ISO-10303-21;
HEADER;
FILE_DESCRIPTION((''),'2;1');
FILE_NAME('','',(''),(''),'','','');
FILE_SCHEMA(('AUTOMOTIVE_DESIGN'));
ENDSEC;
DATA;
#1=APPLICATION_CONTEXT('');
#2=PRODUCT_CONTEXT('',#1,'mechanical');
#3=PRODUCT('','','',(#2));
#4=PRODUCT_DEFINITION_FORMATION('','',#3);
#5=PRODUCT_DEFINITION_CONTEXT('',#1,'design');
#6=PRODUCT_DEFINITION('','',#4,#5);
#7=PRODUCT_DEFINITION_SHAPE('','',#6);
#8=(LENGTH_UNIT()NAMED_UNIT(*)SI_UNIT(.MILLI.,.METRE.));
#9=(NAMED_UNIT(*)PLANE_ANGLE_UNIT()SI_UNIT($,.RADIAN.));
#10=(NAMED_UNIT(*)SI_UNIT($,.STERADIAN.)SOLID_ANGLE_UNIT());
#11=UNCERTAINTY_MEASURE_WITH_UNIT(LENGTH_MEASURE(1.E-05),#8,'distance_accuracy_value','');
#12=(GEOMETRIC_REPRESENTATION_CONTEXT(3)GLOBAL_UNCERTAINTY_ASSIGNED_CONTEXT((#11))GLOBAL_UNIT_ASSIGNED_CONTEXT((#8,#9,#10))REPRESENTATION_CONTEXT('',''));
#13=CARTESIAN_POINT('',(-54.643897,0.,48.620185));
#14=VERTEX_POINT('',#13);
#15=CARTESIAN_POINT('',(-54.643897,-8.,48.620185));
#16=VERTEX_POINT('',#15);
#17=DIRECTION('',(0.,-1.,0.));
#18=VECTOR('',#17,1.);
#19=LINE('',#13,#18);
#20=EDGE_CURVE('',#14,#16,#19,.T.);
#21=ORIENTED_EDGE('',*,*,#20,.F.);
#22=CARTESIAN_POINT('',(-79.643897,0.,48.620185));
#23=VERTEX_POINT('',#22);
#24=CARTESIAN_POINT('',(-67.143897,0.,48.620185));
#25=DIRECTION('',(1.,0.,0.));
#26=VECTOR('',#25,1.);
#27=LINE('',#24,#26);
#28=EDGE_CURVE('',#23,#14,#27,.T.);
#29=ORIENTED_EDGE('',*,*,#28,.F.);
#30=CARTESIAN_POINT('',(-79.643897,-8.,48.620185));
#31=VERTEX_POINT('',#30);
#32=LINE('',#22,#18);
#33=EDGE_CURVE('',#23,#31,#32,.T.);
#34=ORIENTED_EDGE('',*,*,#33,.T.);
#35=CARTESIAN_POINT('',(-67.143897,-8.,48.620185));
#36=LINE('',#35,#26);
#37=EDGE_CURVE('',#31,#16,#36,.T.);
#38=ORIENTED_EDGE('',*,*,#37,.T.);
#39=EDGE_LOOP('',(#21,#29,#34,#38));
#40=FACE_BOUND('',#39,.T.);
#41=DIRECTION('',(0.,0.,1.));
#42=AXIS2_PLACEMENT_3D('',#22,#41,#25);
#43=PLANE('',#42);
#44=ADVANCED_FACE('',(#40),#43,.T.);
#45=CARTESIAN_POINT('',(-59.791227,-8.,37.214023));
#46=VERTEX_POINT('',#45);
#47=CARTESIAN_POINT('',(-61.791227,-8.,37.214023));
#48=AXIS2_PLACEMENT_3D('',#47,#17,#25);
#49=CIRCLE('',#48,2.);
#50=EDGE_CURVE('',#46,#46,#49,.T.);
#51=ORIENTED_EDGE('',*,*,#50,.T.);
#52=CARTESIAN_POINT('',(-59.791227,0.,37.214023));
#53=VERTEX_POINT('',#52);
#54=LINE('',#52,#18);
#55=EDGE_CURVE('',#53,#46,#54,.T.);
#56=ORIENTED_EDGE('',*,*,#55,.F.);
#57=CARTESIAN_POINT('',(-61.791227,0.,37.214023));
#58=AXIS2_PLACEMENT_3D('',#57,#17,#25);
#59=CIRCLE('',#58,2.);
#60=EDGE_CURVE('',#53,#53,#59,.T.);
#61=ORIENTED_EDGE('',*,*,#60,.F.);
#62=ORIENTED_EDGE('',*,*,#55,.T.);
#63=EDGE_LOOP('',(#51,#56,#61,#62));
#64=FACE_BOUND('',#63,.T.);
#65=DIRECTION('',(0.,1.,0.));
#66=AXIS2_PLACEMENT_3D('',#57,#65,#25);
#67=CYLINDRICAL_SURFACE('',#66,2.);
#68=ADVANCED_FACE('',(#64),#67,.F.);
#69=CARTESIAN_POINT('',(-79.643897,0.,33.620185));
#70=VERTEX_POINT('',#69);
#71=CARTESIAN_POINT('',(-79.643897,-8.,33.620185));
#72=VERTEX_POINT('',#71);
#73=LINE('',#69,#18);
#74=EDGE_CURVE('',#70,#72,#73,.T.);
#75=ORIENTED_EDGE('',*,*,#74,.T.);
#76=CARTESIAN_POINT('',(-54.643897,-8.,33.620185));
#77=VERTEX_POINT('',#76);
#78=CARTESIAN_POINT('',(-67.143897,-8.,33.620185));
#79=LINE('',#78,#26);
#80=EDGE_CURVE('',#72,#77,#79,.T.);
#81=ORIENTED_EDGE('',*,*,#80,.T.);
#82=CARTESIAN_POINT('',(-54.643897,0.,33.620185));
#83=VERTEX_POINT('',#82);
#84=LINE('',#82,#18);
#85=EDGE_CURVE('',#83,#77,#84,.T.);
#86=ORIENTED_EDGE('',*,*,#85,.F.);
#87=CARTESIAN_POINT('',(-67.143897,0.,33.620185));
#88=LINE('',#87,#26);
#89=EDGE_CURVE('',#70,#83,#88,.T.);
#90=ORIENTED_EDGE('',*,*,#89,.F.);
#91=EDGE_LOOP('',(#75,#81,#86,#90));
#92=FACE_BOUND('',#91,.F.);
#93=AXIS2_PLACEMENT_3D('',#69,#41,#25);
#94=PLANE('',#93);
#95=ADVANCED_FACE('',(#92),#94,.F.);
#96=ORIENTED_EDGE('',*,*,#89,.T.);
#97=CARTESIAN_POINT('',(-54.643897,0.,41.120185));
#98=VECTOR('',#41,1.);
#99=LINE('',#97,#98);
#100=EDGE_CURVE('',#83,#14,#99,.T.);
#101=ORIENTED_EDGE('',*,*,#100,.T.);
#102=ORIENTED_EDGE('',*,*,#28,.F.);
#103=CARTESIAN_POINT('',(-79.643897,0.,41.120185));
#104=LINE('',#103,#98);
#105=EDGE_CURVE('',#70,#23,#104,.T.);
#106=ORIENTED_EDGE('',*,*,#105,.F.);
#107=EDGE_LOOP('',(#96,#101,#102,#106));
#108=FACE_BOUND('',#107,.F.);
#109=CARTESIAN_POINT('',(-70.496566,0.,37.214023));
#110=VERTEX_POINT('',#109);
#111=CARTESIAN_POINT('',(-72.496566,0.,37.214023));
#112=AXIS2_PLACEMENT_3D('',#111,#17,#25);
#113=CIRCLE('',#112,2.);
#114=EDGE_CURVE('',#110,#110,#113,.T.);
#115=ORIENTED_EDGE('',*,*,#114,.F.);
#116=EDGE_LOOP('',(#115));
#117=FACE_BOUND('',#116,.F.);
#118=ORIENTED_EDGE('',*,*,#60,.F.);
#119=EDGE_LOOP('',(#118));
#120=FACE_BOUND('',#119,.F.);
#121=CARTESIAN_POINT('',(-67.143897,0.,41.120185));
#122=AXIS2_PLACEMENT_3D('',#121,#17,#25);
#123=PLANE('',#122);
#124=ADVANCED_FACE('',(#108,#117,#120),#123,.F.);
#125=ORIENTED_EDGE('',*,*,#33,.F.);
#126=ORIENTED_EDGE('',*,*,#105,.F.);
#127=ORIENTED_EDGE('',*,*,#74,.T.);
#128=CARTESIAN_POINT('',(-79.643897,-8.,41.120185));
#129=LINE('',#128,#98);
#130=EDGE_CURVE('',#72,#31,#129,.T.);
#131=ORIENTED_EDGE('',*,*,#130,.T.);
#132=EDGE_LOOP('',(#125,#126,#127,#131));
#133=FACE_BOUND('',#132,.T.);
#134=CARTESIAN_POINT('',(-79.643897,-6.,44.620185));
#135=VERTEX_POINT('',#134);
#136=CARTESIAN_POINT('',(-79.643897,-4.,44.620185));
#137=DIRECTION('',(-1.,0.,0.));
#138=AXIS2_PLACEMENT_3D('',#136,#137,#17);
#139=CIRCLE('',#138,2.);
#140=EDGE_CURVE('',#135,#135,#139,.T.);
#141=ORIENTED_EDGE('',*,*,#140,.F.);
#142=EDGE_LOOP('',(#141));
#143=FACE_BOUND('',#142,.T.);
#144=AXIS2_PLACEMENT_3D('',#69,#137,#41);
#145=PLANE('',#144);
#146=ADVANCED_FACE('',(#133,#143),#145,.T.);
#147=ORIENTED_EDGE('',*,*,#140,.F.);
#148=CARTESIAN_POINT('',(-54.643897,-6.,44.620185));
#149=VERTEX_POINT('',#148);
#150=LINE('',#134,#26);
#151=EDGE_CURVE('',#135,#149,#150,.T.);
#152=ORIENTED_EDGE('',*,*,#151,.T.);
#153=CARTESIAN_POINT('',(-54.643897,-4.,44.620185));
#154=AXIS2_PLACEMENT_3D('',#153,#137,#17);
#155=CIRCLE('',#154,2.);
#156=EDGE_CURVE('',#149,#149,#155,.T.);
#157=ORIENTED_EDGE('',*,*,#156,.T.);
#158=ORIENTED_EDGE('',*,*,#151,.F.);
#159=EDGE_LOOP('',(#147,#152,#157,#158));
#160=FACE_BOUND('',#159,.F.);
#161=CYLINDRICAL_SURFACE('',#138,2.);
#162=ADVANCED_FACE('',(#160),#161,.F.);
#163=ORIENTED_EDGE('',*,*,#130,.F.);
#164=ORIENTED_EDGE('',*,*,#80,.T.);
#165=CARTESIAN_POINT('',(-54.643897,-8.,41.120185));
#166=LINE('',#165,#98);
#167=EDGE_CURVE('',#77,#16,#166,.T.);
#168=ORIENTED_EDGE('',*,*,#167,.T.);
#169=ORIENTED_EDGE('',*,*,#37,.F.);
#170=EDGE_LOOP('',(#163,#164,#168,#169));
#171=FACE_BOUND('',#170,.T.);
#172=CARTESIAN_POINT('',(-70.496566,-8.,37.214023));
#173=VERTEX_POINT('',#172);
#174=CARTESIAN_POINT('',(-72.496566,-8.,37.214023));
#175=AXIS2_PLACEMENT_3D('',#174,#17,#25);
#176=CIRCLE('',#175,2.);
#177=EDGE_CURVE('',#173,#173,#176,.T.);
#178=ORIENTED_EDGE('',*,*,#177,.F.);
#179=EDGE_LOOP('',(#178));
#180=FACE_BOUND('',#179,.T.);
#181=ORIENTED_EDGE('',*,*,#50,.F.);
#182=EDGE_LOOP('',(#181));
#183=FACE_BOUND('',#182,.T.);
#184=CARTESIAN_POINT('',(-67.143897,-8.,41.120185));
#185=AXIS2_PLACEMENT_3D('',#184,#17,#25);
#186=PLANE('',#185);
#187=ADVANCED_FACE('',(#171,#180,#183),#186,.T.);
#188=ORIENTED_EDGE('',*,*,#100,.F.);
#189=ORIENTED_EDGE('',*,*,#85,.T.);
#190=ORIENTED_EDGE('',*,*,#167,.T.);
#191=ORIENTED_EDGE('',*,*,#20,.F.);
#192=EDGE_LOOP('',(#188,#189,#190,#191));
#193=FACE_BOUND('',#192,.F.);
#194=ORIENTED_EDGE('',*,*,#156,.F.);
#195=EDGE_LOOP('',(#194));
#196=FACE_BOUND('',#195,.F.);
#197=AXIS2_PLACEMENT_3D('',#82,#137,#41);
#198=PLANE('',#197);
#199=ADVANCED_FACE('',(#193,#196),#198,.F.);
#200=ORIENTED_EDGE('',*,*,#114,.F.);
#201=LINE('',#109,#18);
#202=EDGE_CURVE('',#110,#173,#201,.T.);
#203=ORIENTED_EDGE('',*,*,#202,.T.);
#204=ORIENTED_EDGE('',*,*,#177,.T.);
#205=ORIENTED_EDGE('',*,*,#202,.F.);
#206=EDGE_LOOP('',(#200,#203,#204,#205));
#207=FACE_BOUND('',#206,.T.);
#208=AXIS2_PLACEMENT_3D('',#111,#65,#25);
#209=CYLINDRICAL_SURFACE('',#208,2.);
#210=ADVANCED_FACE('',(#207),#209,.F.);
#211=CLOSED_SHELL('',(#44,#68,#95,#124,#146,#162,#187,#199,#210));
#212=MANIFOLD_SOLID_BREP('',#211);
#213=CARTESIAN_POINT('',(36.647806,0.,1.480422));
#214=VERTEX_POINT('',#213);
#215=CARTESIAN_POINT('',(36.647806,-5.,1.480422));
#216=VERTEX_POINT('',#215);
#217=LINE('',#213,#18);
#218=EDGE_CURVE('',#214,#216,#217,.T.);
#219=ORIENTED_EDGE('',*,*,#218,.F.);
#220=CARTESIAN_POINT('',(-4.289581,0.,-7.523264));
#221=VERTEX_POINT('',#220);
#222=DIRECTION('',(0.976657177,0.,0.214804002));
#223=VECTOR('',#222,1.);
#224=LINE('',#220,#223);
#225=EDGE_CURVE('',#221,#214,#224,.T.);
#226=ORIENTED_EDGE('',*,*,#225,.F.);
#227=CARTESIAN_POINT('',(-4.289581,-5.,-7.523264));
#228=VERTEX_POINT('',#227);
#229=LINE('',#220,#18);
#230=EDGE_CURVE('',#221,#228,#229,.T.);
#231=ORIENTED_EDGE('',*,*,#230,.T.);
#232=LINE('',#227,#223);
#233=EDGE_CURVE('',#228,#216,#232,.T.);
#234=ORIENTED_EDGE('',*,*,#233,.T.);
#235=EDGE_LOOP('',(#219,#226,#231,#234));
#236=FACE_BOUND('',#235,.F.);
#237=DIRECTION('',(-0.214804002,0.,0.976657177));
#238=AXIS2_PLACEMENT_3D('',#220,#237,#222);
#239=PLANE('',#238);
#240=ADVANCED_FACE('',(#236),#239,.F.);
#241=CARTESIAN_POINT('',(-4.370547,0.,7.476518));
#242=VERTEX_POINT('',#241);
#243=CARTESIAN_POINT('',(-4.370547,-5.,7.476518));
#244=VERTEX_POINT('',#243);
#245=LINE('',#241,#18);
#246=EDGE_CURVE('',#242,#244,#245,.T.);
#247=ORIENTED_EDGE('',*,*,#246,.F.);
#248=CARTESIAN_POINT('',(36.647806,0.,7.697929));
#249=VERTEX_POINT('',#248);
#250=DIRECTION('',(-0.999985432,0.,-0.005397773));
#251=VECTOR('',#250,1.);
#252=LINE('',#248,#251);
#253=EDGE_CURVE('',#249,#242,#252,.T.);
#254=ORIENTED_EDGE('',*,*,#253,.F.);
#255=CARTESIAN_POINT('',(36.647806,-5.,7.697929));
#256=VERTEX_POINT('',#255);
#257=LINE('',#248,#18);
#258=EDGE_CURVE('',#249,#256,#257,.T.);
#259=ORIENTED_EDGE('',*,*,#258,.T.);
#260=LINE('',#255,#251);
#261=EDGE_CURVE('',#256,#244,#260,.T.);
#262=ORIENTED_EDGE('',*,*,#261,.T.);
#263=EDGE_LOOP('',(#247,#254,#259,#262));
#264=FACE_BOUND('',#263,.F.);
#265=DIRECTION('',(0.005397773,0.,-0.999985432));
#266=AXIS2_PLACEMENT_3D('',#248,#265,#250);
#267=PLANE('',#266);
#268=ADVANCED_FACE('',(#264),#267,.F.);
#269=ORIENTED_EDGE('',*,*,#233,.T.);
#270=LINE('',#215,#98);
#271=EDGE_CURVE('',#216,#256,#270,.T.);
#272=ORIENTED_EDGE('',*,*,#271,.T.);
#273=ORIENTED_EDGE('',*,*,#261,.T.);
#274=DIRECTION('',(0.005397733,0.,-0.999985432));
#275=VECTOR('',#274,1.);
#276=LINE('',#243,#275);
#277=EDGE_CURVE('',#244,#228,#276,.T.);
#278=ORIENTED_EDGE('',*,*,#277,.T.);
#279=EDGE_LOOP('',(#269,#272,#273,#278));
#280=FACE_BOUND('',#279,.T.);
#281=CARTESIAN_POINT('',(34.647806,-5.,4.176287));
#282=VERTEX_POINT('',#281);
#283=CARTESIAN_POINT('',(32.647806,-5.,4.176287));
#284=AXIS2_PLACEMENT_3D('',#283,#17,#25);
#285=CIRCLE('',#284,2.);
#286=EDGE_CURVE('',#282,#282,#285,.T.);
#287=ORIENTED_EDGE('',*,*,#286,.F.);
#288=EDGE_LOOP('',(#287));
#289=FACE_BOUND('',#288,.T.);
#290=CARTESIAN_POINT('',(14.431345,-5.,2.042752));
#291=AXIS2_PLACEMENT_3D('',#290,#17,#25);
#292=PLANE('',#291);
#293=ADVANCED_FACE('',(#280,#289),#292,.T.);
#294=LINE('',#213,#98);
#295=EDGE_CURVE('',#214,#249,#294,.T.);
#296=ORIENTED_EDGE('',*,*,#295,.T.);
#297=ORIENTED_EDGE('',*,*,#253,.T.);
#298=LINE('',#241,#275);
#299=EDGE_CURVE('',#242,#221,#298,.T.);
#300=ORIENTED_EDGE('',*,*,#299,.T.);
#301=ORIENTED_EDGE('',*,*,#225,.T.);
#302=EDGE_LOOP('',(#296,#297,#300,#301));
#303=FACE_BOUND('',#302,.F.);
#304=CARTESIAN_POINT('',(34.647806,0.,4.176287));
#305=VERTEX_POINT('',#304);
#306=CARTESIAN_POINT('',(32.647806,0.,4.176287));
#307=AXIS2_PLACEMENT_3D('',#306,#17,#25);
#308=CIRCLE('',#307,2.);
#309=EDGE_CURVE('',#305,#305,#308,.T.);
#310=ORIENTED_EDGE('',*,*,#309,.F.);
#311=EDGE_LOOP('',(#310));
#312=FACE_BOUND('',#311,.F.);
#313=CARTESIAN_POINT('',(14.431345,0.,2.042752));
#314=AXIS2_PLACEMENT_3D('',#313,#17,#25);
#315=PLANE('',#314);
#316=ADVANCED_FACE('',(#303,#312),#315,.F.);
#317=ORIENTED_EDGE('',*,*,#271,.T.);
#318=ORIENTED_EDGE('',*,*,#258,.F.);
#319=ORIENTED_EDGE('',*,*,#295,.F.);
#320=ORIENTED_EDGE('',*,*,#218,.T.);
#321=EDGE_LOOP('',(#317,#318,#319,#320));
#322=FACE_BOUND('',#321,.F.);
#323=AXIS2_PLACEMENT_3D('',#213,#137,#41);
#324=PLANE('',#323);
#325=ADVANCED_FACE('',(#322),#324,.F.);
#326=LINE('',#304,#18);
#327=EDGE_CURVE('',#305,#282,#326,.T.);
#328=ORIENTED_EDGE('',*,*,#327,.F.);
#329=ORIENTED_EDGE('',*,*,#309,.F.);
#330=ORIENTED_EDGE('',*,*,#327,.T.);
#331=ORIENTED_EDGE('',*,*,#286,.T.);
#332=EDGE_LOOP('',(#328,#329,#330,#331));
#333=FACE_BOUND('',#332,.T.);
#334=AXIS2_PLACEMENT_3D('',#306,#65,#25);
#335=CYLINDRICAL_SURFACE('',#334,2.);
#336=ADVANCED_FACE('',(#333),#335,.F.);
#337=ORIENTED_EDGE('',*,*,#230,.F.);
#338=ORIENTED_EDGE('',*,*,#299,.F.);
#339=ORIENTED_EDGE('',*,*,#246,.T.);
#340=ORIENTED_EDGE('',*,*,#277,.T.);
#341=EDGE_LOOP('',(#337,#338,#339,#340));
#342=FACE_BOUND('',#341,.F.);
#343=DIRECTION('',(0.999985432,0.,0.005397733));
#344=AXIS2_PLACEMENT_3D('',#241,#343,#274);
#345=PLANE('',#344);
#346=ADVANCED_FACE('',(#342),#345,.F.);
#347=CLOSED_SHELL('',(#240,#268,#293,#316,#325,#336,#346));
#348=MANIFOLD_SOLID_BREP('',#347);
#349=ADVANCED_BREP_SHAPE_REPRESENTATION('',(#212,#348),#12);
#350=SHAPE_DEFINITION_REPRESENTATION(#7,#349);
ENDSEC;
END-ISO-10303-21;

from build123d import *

# Parameters (mm, degrees)
F0_R     = 2
F1_DEPTH = 5
F2_W     = 25
F2_H     = 15
F2_R     = 2
F3_DEPTH = 8
F4_R     = 2
F5_DEPTH = 25


with BuildPart() as f1:
    # F0 (on Front) → F1 (new body)
    with BuildSketch(Plane.XZ):
        Polygon((36.647806, 7.697929), (-4.370547, 7.476518), (-4.289581, -7.523264), (36.647806, 1.480422), align=None)
        with Locations((32.647806, 4.176287)):
            Circle(F0_R, mode=Mode.SUBTRACT)
    extrude(amount=F1_DEPTH)


with BuildPart() as f3:
    # F2 (on Front) → F3 (new body)
    with BuildSketch(Plane.XZ):
        with Locations((-67.143897, 41.120185)):
            Rectangle(F2_W, F2_H)
        with Locations((-72.496566, 37.214023)):
            Circle(F2_R, mode=Mode.SUBTRACT)
        with Locations((-61.791227, 37.214023)):
            Circle(F2_R, mode=Mode.SUBTRACT)
    extrude(amount=F3_DEPTH)

    # F4 (on face) → F5 (cut)
    with BuildSketch(Plane(origin=(-79.643897, 0, 0), x_dir=(0, -1, 0), z_dir=(-1, 0, 0))):
        with Locations((4, 44.620185)):
            Circle(F4_R)
    extrude(amount=-F5_DEPTH, mode=Mode.SUBTRACT)


solid = Compound([f1.part, f3.part])
